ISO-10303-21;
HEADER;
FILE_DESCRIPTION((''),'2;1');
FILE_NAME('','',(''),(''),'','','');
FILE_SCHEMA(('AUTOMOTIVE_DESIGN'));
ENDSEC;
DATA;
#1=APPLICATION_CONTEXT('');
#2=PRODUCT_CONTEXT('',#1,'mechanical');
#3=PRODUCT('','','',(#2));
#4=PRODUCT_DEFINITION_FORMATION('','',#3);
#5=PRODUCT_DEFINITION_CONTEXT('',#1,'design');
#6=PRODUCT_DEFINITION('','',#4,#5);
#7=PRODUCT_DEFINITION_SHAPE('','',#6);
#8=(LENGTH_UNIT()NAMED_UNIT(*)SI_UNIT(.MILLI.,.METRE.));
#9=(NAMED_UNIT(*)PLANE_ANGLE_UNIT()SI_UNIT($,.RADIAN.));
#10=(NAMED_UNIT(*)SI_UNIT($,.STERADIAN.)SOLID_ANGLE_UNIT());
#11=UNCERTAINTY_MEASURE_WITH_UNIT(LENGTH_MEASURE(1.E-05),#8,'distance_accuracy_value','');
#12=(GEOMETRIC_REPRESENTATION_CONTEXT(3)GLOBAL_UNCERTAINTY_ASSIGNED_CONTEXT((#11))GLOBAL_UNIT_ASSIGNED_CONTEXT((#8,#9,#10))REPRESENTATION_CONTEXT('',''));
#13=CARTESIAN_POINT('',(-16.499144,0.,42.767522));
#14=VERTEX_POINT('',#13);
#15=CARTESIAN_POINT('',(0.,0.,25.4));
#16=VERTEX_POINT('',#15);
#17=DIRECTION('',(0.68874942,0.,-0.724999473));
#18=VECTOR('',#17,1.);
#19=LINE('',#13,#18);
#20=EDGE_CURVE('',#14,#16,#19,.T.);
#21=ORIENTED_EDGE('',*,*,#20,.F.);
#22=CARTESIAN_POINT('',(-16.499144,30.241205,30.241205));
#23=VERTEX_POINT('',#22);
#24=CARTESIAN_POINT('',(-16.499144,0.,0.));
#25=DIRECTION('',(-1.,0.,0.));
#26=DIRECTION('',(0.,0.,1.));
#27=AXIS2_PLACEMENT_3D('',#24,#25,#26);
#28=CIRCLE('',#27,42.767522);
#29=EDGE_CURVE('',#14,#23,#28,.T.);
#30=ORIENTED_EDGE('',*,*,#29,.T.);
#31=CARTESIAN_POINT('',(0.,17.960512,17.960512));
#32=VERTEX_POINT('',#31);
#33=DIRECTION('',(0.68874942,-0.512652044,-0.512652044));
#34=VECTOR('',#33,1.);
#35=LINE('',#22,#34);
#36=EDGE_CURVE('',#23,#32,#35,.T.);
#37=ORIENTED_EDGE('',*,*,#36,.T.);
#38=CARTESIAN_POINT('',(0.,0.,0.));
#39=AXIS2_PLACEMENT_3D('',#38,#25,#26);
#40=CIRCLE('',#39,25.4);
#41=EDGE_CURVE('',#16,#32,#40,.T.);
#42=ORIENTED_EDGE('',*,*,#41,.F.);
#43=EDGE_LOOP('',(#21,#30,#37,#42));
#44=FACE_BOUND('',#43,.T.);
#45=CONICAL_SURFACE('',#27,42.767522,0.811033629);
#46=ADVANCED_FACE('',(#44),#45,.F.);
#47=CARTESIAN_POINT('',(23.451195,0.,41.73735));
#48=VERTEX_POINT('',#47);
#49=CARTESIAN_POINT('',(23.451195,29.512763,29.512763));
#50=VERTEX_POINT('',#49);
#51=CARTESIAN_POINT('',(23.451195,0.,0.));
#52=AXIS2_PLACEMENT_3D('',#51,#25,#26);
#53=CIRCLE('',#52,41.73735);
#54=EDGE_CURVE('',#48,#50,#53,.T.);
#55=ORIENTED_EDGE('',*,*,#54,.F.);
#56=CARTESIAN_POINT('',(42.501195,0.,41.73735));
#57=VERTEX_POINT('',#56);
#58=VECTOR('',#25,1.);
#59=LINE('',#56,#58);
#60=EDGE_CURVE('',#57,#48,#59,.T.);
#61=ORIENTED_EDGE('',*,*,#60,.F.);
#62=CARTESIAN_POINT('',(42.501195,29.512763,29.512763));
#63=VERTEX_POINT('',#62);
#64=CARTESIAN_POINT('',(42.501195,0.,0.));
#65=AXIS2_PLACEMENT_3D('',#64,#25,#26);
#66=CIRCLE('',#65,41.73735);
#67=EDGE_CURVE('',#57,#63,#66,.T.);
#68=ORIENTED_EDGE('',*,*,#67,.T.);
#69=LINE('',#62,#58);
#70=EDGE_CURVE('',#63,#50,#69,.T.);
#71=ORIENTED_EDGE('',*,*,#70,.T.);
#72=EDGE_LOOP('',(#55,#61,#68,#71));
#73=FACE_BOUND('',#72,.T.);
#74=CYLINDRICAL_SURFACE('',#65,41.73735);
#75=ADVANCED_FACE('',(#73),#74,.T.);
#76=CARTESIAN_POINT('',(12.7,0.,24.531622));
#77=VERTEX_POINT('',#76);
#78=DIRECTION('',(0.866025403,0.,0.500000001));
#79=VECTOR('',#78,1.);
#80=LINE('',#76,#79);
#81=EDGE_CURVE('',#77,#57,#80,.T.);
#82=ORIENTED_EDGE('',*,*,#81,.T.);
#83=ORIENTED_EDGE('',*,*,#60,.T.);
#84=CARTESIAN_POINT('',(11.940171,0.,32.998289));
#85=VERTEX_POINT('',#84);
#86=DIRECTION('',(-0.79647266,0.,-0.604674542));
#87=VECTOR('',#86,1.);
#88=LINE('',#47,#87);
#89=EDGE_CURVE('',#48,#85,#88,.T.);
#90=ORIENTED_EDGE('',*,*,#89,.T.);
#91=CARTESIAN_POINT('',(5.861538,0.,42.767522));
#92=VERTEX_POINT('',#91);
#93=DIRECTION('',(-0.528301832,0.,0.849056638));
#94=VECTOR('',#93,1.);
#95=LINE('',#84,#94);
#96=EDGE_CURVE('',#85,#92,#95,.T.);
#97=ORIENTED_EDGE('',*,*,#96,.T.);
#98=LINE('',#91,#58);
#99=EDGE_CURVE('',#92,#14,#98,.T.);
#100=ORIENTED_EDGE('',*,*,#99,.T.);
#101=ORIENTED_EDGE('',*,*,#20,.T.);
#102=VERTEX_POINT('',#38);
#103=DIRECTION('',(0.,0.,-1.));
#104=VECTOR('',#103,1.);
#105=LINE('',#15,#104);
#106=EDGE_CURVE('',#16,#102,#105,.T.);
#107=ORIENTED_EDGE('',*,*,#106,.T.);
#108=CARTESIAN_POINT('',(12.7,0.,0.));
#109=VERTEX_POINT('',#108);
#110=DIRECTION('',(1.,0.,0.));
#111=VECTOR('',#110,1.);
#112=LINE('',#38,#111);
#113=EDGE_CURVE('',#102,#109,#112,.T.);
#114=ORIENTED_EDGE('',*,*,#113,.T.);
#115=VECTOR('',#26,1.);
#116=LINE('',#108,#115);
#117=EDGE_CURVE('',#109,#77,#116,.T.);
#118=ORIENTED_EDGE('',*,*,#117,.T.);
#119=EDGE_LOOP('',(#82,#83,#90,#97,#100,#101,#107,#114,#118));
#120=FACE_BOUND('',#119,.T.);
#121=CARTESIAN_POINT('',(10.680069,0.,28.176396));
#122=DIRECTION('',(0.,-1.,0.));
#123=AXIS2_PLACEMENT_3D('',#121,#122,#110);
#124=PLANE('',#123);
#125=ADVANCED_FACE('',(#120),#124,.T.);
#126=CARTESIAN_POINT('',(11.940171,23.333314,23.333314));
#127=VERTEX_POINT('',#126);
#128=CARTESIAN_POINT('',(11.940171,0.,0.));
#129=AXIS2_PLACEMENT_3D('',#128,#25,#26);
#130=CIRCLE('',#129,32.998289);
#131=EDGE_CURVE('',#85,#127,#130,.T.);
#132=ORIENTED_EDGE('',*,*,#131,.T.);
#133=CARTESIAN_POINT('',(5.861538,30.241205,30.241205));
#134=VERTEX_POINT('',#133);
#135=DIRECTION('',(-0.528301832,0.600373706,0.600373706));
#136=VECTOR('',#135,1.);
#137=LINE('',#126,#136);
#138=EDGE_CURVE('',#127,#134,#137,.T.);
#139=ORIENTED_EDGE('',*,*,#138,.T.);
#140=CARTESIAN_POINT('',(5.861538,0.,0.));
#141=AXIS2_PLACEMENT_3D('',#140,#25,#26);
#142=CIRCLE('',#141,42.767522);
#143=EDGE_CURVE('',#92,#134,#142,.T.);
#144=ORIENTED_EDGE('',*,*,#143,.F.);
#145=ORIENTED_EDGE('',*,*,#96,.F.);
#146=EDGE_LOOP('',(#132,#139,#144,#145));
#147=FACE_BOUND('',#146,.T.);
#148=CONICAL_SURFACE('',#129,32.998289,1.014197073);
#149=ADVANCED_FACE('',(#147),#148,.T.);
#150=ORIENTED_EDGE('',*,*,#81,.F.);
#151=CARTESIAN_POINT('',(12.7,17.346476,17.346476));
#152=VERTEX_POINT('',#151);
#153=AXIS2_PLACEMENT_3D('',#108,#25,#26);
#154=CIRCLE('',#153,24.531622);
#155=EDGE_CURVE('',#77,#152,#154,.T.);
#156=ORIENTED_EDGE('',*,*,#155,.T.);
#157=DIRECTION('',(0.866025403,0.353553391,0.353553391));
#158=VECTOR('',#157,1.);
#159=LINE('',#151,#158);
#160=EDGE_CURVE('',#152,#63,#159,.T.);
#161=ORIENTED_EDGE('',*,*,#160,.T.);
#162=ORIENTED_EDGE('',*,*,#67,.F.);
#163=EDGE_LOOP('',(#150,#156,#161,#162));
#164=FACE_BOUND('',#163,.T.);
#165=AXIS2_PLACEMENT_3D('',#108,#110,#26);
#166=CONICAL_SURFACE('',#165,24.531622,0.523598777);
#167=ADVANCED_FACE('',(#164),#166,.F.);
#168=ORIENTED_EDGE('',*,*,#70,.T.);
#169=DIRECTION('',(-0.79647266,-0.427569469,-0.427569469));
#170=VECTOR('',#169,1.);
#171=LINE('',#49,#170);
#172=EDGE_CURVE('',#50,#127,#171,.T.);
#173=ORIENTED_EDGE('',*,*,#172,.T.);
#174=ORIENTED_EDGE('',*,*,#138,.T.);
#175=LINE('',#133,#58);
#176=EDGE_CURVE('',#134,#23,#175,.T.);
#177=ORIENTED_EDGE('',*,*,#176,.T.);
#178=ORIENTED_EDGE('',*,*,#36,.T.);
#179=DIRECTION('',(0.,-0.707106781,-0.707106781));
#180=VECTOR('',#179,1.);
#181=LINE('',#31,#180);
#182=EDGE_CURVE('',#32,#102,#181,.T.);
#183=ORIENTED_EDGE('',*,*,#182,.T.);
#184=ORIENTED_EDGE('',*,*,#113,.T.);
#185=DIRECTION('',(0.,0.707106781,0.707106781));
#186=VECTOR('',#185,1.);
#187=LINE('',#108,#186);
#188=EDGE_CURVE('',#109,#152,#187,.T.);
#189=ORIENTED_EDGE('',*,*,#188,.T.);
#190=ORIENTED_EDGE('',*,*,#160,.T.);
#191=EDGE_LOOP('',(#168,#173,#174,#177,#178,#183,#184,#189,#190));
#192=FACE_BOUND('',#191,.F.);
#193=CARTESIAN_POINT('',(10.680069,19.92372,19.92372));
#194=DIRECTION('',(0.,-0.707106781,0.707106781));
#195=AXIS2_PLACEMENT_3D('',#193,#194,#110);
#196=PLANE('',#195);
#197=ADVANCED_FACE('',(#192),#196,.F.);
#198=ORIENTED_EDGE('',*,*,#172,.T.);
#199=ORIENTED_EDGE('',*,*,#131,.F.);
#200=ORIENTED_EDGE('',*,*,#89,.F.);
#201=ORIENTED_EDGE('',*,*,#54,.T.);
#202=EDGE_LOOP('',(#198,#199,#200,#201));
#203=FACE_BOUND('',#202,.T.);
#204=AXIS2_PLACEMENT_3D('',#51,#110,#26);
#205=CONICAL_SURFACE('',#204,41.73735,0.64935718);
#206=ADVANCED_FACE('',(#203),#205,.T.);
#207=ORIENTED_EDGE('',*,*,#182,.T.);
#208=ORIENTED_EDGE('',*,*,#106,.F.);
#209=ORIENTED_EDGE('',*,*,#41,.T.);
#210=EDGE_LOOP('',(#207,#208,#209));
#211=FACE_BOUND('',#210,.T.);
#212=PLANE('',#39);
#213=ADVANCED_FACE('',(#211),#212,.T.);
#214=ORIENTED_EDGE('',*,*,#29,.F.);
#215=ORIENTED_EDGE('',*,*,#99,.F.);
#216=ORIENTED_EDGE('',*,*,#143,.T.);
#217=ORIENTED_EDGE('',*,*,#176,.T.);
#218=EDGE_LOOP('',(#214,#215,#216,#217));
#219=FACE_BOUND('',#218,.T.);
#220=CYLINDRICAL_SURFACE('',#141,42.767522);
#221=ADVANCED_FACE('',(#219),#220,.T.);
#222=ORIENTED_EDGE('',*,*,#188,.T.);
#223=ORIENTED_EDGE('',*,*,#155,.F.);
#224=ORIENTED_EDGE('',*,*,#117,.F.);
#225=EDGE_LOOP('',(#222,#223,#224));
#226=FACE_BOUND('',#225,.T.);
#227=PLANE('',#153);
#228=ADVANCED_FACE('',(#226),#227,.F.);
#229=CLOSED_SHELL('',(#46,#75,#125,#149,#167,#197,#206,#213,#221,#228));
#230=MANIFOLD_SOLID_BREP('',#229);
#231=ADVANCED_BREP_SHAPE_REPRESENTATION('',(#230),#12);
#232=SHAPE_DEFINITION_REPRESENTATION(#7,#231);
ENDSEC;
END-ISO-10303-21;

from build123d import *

# Parameters (mm, degrees)
F1_ANGLE = 45


with BuildPart() as f1:
    # F0 (on Front) → F1 (revolve)
    with BuildSketch(Plane.XZ):
        Polygon((0, 25.4), (0, 0), (12.7, 0), (12.7, 24.531622), (42.501195, 41.73735), (23.451195, 41.73735), (11.940171, 32.998289), (5.861538, 42.767522), (-16.499144, 42.767522), align=None)
    revolve(axis=Axis((6.35, 0, 0), (-1, 0, 0)), revolution_arc=F1_ANGLE)


solid = f1.part
